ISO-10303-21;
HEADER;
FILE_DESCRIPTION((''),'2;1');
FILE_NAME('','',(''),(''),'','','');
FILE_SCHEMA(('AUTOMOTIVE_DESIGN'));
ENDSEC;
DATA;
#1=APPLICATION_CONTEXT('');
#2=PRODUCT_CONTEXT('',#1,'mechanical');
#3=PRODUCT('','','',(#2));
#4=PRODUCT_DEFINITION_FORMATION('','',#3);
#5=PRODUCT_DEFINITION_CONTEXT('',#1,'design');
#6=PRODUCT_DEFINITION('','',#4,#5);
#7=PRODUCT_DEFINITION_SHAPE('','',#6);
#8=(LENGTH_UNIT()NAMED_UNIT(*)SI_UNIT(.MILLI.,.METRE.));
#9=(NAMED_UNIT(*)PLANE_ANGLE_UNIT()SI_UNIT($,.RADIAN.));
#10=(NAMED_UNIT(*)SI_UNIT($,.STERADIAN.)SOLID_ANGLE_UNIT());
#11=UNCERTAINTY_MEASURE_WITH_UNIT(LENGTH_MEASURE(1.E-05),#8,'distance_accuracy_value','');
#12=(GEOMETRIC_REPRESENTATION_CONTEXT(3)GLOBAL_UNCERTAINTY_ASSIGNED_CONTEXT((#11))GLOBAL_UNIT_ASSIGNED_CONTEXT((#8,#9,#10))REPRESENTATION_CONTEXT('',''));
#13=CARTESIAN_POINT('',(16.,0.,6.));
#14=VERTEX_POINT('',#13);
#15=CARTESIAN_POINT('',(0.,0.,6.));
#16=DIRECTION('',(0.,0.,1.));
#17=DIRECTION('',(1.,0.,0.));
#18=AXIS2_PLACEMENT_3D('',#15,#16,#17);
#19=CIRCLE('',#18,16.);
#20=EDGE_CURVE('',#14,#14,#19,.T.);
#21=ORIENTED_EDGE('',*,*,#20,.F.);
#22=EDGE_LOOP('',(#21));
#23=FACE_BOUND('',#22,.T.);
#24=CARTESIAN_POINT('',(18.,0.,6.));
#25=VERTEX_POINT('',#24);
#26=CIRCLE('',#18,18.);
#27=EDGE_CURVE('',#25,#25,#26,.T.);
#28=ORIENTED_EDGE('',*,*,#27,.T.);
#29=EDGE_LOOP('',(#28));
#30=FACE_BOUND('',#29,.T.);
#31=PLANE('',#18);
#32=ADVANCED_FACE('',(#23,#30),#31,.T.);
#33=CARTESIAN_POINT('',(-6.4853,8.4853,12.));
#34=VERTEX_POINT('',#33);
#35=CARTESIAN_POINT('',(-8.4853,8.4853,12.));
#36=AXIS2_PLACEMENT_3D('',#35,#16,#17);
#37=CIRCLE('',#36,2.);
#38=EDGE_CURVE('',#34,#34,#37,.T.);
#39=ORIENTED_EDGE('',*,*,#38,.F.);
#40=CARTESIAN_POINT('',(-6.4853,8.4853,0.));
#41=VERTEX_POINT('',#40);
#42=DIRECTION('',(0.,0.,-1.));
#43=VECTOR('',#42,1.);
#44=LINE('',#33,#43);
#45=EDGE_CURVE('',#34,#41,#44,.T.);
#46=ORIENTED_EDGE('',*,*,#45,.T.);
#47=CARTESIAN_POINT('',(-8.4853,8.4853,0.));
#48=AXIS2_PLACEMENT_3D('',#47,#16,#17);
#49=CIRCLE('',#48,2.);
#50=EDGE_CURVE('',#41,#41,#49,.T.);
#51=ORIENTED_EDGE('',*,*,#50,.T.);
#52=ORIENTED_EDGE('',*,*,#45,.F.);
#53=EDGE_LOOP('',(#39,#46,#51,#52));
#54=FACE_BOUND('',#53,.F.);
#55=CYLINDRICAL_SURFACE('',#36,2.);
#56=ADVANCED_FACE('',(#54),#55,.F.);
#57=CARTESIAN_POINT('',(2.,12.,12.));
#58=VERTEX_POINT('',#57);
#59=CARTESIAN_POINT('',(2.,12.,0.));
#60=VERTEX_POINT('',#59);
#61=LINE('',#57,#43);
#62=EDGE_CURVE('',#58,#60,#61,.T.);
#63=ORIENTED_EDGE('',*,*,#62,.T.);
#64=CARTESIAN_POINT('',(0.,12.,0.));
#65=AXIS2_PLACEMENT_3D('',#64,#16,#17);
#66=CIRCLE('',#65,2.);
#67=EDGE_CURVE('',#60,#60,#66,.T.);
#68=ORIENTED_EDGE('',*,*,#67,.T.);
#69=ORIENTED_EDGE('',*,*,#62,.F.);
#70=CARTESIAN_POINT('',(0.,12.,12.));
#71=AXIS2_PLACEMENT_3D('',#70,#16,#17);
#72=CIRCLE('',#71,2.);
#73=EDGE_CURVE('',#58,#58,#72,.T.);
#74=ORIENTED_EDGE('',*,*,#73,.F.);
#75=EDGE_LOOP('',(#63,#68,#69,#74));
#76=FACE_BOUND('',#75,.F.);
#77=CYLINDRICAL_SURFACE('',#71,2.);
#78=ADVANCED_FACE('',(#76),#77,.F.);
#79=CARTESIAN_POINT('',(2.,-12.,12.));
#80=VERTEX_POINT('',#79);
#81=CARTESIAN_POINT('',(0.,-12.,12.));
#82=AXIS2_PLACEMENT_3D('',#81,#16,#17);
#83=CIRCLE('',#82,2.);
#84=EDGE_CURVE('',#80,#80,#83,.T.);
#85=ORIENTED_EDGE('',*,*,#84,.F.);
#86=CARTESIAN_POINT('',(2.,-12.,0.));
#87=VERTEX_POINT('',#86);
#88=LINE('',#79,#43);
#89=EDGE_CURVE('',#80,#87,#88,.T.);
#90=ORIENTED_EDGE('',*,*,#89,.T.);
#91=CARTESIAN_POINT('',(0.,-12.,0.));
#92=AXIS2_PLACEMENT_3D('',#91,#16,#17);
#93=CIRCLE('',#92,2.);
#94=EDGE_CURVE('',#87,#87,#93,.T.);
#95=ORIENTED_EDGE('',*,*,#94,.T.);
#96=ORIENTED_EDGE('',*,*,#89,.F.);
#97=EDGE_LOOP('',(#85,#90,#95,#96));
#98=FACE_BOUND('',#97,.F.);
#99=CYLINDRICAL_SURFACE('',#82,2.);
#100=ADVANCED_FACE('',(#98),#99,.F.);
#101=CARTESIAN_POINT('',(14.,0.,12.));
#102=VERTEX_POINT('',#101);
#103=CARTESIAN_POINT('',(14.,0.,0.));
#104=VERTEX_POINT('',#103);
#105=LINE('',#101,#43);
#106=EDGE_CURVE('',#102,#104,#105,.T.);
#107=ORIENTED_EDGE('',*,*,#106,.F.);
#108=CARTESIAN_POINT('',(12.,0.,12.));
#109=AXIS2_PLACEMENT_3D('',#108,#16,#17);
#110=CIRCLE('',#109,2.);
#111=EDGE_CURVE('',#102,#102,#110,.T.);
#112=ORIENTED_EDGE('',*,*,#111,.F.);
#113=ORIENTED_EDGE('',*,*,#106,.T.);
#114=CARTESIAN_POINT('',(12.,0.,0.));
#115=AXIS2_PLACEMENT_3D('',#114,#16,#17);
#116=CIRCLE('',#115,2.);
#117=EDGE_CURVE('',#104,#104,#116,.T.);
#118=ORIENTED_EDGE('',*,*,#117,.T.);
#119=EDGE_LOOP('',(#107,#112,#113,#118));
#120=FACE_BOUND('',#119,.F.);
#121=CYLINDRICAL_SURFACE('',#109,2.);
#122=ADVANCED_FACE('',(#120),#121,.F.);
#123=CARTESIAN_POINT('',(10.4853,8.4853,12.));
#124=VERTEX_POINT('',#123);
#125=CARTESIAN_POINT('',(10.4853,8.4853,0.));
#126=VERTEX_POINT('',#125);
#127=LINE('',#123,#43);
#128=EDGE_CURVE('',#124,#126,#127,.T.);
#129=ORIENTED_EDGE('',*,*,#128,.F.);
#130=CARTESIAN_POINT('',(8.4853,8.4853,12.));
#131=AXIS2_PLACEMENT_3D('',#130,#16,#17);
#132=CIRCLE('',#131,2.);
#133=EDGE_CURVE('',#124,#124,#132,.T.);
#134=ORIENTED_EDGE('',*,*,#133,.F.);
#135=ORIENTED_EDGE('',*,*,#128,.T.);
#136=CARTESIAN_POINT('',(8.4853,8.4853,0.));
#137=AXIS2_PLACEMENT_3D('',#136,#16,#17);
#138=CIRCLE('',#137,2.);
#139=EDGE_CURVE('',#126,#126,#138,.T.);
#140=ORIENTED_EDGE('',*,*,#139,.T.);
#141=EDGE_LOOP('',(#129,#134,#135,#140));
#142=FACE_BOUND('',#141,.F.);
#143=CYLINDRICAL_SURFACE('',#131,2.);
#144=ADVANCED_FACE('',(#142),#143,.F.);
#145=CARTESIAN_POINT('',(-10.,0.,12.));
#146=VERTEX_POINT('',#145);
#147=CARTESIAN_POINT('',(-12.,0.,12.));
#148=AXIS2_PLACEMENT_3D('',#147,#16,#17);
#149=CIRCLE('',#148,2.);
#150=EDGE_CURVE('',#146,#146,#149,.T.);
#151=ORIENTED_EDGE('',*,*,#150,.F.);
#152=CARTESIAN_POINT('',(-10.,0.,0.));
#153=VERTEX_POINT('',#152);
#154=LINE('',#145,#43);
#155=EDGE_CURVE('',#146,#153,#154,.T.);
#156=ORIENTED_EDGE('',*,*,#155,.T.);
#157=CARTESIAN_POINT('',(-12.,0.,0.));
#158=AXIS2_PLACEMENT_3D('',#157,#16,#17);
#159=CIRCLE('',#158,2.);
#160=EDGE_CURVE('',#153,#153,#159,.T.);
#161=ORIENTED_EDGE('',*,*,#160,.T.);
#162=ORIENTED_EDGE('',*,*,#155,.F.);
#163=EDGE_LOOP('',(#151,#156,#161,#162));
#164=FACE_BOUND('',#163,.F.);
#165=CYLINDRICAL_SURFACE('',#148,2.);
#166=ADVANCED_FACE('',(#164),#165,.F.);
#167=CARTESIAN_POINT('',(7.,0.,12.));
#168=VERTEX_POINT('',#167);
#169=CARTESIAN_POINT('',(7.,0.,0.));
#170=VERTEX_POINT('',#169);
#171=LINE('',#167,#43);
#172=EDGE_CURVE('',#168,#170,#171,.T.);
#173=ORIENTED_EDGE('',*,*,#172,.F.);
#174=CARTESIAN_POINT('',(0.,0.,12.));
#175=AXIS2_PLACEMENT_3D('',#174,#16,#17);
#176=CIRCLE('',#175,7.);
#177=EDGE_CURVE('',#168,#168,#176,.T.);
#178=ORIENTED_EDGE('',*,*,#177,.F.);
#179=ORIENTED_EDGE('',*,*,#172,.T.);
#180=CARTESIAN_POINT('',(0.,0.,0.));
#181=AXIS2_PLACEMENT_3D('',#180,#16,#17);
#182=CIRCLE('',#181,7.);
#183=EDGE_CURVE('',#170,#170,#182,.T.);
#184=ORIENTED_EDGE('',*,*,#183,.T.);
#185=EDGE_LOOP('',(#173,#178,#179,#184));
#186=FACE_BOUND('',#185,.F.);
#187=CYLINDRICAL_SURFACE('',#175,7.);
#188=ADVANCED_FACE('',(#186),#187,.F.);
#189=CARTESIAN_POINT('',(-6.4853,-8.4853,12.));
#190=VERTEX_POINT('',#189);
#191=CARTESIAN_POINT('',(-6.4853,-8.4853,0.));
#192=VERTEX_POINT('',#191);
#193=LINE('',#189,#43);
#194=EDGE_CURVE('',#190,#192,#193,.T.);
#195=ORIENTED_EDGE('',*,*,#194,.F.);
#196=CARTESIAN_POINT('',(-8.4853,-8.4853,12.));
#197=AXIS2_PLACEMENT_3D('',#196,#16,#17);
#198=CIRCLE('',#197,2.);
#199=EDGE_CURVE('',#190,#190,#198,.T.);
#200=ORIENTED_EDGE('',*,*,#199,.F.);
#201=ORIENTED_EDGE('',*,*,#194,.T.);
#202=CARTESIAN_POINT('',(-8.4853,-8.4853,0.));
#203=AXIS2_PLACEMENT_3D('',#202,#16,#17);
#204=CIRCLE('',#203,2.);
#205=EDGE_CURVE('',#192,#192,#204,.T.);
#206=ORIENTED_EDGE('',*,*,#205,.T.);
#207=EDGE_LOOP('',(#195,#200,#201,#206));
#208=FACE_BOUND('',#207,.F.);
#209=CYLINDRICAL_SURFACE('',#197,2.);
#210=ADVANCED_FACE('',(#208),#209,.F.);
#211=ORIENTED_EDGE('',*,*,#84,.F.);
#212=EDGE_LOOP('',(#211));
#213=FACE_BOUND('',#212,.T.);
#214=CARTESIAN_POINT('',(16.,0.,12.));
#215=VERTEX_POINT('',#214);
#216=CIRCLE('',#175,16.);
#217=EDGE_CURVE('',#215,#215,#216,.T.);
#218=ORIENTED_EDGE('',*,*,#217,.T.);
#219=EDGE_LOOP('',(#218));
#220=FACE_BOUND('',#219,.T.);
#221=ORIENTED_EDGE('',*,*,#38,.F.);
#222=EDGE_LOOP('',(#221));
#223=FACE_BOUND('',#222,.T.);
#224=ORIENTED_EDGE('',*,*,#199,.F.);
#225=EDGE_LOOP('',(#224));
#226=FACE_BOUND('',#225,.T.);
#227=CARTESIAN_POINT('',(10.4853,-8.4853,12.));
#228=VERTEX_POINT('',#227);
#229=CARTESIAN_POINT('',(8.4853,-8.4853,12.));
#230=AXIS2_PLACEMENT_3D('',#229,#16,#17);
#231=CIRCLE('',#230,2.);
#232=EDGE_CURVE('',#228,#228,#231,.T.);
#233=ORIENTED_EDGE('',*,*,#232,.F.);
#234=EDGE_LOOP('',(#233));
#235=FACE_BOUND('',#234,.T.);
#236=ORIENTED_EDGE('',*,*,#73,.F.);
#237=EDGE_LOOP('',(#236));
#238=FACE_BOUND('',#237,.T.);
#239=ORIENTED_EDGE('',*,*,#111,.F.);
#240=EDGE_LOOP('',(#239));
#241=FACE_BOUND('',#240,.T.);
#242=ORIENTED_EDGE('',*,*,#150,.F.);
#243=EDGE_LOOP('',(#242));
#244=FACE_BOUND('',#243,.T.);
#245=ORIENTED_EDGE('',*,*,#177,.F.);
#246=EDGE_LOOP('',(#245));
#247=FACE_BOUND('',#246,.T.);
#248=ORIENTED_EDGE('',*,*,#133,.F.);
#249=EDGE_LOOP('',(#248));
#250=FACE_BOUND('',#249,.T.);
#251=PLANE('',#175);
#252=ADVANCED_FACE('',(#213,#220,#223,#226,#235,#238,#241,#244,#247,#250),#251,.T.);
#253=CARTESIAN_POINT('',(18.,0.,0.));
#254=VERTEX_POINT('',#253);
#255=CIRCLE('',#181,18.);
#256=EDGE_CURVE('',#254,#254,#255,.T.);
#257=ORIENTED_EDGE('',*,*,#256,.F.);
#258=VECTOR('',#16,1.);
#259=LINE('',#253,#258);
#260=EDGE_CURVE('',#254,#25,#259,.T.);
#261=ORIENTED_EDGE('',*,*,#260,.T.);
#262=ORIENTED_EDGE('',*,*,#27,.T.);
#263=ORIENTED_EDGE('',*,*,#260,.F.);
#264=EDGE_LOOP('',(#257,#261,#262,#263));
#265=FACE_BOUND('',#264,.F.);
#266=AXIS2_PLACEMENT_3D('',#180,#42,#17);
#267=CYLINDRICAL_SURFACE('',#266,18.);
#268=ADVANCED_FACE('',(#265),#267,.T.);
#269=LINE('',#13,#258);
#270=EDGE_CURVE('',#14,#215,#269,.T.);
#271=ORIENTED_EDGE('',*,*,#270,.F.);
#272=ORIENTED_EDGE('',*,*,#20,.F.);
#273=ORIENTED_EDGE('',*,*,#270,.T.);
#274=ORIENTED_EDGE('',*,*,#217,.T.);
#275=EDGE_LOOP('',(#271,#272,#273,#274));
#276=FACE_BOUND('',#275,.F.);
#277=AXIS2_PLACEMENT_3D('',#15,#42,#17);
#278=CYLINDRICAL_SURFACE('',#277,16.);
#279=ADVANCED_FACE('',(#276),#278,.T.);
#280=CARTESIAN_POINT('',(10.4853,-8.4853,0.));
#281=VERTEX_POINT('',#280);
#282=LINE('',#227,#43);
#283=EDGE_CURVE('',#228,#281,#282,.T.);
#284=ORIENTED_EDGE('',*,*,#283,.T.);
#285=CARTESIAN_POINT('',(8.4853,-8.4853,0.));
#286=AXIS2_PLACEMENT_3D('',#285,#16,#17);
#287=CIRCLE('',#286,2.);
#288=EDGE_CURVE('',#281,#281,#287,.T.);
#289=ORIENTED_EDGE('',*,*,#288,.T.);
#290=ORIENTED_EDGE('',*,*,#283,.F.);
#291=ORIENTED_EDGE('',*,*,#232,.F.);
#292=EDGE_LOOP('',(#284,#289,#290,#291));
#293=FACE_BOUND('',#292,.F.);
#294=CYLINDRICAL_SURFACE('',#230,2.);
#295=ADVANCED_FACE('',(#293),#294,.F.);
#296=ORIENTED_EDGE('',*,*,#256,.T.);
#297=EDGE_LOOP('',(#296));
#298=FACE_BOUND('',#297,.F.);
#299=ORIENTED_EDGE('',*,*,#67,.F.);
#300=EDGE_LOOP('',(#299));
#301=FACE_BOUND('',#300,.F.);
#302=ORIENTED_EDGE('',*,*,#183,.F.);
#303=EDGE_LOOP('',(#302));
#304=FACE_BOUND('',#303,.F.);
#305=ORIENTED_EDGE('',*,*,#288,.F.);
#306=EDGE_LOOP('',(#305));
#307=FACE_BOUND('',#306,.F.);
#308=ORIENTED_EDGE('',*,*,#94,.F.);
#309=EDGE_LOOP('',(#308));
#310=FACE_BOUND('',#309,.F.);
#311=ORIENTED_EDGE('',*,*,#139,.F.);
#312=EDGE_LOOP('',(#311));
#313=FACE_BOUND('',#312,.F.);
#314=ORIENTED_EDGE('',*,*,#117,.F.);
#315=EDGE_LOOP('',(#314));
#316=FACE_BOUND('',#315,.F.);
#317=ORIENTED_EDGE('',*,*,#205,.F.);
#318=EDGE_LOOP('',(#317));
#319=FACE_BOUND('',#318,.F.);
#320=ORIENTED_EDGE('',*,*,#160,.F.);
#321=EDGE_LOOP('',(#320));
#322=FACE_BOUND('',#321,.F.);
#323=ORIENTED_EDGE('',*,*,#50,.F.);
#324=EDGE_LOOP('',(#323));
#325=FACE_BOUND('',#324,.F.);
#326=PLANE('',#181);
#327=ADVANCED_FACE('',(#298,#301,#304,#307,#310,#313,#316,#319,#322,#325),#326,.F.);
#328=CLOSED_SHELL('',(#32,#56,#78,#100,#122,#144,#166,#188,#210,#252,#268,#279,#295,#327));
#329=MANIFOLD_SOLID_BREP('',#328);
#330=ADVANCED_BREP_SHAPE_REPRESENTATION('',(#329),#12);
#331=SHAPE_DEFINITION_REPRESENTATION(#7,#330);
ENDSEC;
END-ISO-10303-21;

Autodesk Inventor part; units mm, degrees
ref_plane "YZ Plane" through (0, 0, 0) normal (1, 0, 0) x (0, 1, 0)
ref_plane "XZ Plane" through (0, 0, 0) normal (0, 1, 0) x (-1, 0, 0)
ref_plane "XY Plane" through (0, 0, 0) normal (0, 0, 1) x (1, 0, 0)
sketch "Sketch1" plane through (0, 0, 0) normal (0, 0, 1) x (1, 0, 0)
  circle A0 centre (0, 0) radius 18
  dimension "d0" = 36
extrude "Extrusion1" add sketch "Sketch1" along normal blind 6
sketch "Sketch2" plane through (0, 0, 6) normal (0, 0, 1) x (1, 0, 0)
  circle A0 centre (0, 0) radius 16
  dimension "d3" = 32
extrude "Extrusion2" add sketch "Sketch2" along normal blind 6
sketch "Sketch3" plane through (0, 0, 12) normal (0, 0, 1) x (1, 0, 0)
  circle A0 centre (0, 0) radius 7
  circle A1 centre (-8.4853, 8.4853) radius 2
  circle A2 centre (-12, 0) radius 2
  circle A3 centre (-8.4853, -8.4853) radius 2
  circle A4 centre (0, -12) radius 2
  line L0 (-8.4853, 8.4853) -> (0, 0) construction
  line L1 (-7, 0) -> (0, 0) construction
  circle A5 centre (8.4853, -8.4853) radius 2
  circle A6 centre (12, 0) radius 2
  circle A7 centre (8.4853, 8.4853) radius 2
  circle A8 centre (0, 12) radius 2
  dimension "d6" = 14
  dimension "d7" = 4
  dimension "d12" = 360
  dimension "d16" = 45
  dimension "d17" = 12
extrude "Extrusion3" cut sketch "Sketch3" against normal through all
properties part number "SecondStageArmClamp" material "PC/ABS Plastic"
